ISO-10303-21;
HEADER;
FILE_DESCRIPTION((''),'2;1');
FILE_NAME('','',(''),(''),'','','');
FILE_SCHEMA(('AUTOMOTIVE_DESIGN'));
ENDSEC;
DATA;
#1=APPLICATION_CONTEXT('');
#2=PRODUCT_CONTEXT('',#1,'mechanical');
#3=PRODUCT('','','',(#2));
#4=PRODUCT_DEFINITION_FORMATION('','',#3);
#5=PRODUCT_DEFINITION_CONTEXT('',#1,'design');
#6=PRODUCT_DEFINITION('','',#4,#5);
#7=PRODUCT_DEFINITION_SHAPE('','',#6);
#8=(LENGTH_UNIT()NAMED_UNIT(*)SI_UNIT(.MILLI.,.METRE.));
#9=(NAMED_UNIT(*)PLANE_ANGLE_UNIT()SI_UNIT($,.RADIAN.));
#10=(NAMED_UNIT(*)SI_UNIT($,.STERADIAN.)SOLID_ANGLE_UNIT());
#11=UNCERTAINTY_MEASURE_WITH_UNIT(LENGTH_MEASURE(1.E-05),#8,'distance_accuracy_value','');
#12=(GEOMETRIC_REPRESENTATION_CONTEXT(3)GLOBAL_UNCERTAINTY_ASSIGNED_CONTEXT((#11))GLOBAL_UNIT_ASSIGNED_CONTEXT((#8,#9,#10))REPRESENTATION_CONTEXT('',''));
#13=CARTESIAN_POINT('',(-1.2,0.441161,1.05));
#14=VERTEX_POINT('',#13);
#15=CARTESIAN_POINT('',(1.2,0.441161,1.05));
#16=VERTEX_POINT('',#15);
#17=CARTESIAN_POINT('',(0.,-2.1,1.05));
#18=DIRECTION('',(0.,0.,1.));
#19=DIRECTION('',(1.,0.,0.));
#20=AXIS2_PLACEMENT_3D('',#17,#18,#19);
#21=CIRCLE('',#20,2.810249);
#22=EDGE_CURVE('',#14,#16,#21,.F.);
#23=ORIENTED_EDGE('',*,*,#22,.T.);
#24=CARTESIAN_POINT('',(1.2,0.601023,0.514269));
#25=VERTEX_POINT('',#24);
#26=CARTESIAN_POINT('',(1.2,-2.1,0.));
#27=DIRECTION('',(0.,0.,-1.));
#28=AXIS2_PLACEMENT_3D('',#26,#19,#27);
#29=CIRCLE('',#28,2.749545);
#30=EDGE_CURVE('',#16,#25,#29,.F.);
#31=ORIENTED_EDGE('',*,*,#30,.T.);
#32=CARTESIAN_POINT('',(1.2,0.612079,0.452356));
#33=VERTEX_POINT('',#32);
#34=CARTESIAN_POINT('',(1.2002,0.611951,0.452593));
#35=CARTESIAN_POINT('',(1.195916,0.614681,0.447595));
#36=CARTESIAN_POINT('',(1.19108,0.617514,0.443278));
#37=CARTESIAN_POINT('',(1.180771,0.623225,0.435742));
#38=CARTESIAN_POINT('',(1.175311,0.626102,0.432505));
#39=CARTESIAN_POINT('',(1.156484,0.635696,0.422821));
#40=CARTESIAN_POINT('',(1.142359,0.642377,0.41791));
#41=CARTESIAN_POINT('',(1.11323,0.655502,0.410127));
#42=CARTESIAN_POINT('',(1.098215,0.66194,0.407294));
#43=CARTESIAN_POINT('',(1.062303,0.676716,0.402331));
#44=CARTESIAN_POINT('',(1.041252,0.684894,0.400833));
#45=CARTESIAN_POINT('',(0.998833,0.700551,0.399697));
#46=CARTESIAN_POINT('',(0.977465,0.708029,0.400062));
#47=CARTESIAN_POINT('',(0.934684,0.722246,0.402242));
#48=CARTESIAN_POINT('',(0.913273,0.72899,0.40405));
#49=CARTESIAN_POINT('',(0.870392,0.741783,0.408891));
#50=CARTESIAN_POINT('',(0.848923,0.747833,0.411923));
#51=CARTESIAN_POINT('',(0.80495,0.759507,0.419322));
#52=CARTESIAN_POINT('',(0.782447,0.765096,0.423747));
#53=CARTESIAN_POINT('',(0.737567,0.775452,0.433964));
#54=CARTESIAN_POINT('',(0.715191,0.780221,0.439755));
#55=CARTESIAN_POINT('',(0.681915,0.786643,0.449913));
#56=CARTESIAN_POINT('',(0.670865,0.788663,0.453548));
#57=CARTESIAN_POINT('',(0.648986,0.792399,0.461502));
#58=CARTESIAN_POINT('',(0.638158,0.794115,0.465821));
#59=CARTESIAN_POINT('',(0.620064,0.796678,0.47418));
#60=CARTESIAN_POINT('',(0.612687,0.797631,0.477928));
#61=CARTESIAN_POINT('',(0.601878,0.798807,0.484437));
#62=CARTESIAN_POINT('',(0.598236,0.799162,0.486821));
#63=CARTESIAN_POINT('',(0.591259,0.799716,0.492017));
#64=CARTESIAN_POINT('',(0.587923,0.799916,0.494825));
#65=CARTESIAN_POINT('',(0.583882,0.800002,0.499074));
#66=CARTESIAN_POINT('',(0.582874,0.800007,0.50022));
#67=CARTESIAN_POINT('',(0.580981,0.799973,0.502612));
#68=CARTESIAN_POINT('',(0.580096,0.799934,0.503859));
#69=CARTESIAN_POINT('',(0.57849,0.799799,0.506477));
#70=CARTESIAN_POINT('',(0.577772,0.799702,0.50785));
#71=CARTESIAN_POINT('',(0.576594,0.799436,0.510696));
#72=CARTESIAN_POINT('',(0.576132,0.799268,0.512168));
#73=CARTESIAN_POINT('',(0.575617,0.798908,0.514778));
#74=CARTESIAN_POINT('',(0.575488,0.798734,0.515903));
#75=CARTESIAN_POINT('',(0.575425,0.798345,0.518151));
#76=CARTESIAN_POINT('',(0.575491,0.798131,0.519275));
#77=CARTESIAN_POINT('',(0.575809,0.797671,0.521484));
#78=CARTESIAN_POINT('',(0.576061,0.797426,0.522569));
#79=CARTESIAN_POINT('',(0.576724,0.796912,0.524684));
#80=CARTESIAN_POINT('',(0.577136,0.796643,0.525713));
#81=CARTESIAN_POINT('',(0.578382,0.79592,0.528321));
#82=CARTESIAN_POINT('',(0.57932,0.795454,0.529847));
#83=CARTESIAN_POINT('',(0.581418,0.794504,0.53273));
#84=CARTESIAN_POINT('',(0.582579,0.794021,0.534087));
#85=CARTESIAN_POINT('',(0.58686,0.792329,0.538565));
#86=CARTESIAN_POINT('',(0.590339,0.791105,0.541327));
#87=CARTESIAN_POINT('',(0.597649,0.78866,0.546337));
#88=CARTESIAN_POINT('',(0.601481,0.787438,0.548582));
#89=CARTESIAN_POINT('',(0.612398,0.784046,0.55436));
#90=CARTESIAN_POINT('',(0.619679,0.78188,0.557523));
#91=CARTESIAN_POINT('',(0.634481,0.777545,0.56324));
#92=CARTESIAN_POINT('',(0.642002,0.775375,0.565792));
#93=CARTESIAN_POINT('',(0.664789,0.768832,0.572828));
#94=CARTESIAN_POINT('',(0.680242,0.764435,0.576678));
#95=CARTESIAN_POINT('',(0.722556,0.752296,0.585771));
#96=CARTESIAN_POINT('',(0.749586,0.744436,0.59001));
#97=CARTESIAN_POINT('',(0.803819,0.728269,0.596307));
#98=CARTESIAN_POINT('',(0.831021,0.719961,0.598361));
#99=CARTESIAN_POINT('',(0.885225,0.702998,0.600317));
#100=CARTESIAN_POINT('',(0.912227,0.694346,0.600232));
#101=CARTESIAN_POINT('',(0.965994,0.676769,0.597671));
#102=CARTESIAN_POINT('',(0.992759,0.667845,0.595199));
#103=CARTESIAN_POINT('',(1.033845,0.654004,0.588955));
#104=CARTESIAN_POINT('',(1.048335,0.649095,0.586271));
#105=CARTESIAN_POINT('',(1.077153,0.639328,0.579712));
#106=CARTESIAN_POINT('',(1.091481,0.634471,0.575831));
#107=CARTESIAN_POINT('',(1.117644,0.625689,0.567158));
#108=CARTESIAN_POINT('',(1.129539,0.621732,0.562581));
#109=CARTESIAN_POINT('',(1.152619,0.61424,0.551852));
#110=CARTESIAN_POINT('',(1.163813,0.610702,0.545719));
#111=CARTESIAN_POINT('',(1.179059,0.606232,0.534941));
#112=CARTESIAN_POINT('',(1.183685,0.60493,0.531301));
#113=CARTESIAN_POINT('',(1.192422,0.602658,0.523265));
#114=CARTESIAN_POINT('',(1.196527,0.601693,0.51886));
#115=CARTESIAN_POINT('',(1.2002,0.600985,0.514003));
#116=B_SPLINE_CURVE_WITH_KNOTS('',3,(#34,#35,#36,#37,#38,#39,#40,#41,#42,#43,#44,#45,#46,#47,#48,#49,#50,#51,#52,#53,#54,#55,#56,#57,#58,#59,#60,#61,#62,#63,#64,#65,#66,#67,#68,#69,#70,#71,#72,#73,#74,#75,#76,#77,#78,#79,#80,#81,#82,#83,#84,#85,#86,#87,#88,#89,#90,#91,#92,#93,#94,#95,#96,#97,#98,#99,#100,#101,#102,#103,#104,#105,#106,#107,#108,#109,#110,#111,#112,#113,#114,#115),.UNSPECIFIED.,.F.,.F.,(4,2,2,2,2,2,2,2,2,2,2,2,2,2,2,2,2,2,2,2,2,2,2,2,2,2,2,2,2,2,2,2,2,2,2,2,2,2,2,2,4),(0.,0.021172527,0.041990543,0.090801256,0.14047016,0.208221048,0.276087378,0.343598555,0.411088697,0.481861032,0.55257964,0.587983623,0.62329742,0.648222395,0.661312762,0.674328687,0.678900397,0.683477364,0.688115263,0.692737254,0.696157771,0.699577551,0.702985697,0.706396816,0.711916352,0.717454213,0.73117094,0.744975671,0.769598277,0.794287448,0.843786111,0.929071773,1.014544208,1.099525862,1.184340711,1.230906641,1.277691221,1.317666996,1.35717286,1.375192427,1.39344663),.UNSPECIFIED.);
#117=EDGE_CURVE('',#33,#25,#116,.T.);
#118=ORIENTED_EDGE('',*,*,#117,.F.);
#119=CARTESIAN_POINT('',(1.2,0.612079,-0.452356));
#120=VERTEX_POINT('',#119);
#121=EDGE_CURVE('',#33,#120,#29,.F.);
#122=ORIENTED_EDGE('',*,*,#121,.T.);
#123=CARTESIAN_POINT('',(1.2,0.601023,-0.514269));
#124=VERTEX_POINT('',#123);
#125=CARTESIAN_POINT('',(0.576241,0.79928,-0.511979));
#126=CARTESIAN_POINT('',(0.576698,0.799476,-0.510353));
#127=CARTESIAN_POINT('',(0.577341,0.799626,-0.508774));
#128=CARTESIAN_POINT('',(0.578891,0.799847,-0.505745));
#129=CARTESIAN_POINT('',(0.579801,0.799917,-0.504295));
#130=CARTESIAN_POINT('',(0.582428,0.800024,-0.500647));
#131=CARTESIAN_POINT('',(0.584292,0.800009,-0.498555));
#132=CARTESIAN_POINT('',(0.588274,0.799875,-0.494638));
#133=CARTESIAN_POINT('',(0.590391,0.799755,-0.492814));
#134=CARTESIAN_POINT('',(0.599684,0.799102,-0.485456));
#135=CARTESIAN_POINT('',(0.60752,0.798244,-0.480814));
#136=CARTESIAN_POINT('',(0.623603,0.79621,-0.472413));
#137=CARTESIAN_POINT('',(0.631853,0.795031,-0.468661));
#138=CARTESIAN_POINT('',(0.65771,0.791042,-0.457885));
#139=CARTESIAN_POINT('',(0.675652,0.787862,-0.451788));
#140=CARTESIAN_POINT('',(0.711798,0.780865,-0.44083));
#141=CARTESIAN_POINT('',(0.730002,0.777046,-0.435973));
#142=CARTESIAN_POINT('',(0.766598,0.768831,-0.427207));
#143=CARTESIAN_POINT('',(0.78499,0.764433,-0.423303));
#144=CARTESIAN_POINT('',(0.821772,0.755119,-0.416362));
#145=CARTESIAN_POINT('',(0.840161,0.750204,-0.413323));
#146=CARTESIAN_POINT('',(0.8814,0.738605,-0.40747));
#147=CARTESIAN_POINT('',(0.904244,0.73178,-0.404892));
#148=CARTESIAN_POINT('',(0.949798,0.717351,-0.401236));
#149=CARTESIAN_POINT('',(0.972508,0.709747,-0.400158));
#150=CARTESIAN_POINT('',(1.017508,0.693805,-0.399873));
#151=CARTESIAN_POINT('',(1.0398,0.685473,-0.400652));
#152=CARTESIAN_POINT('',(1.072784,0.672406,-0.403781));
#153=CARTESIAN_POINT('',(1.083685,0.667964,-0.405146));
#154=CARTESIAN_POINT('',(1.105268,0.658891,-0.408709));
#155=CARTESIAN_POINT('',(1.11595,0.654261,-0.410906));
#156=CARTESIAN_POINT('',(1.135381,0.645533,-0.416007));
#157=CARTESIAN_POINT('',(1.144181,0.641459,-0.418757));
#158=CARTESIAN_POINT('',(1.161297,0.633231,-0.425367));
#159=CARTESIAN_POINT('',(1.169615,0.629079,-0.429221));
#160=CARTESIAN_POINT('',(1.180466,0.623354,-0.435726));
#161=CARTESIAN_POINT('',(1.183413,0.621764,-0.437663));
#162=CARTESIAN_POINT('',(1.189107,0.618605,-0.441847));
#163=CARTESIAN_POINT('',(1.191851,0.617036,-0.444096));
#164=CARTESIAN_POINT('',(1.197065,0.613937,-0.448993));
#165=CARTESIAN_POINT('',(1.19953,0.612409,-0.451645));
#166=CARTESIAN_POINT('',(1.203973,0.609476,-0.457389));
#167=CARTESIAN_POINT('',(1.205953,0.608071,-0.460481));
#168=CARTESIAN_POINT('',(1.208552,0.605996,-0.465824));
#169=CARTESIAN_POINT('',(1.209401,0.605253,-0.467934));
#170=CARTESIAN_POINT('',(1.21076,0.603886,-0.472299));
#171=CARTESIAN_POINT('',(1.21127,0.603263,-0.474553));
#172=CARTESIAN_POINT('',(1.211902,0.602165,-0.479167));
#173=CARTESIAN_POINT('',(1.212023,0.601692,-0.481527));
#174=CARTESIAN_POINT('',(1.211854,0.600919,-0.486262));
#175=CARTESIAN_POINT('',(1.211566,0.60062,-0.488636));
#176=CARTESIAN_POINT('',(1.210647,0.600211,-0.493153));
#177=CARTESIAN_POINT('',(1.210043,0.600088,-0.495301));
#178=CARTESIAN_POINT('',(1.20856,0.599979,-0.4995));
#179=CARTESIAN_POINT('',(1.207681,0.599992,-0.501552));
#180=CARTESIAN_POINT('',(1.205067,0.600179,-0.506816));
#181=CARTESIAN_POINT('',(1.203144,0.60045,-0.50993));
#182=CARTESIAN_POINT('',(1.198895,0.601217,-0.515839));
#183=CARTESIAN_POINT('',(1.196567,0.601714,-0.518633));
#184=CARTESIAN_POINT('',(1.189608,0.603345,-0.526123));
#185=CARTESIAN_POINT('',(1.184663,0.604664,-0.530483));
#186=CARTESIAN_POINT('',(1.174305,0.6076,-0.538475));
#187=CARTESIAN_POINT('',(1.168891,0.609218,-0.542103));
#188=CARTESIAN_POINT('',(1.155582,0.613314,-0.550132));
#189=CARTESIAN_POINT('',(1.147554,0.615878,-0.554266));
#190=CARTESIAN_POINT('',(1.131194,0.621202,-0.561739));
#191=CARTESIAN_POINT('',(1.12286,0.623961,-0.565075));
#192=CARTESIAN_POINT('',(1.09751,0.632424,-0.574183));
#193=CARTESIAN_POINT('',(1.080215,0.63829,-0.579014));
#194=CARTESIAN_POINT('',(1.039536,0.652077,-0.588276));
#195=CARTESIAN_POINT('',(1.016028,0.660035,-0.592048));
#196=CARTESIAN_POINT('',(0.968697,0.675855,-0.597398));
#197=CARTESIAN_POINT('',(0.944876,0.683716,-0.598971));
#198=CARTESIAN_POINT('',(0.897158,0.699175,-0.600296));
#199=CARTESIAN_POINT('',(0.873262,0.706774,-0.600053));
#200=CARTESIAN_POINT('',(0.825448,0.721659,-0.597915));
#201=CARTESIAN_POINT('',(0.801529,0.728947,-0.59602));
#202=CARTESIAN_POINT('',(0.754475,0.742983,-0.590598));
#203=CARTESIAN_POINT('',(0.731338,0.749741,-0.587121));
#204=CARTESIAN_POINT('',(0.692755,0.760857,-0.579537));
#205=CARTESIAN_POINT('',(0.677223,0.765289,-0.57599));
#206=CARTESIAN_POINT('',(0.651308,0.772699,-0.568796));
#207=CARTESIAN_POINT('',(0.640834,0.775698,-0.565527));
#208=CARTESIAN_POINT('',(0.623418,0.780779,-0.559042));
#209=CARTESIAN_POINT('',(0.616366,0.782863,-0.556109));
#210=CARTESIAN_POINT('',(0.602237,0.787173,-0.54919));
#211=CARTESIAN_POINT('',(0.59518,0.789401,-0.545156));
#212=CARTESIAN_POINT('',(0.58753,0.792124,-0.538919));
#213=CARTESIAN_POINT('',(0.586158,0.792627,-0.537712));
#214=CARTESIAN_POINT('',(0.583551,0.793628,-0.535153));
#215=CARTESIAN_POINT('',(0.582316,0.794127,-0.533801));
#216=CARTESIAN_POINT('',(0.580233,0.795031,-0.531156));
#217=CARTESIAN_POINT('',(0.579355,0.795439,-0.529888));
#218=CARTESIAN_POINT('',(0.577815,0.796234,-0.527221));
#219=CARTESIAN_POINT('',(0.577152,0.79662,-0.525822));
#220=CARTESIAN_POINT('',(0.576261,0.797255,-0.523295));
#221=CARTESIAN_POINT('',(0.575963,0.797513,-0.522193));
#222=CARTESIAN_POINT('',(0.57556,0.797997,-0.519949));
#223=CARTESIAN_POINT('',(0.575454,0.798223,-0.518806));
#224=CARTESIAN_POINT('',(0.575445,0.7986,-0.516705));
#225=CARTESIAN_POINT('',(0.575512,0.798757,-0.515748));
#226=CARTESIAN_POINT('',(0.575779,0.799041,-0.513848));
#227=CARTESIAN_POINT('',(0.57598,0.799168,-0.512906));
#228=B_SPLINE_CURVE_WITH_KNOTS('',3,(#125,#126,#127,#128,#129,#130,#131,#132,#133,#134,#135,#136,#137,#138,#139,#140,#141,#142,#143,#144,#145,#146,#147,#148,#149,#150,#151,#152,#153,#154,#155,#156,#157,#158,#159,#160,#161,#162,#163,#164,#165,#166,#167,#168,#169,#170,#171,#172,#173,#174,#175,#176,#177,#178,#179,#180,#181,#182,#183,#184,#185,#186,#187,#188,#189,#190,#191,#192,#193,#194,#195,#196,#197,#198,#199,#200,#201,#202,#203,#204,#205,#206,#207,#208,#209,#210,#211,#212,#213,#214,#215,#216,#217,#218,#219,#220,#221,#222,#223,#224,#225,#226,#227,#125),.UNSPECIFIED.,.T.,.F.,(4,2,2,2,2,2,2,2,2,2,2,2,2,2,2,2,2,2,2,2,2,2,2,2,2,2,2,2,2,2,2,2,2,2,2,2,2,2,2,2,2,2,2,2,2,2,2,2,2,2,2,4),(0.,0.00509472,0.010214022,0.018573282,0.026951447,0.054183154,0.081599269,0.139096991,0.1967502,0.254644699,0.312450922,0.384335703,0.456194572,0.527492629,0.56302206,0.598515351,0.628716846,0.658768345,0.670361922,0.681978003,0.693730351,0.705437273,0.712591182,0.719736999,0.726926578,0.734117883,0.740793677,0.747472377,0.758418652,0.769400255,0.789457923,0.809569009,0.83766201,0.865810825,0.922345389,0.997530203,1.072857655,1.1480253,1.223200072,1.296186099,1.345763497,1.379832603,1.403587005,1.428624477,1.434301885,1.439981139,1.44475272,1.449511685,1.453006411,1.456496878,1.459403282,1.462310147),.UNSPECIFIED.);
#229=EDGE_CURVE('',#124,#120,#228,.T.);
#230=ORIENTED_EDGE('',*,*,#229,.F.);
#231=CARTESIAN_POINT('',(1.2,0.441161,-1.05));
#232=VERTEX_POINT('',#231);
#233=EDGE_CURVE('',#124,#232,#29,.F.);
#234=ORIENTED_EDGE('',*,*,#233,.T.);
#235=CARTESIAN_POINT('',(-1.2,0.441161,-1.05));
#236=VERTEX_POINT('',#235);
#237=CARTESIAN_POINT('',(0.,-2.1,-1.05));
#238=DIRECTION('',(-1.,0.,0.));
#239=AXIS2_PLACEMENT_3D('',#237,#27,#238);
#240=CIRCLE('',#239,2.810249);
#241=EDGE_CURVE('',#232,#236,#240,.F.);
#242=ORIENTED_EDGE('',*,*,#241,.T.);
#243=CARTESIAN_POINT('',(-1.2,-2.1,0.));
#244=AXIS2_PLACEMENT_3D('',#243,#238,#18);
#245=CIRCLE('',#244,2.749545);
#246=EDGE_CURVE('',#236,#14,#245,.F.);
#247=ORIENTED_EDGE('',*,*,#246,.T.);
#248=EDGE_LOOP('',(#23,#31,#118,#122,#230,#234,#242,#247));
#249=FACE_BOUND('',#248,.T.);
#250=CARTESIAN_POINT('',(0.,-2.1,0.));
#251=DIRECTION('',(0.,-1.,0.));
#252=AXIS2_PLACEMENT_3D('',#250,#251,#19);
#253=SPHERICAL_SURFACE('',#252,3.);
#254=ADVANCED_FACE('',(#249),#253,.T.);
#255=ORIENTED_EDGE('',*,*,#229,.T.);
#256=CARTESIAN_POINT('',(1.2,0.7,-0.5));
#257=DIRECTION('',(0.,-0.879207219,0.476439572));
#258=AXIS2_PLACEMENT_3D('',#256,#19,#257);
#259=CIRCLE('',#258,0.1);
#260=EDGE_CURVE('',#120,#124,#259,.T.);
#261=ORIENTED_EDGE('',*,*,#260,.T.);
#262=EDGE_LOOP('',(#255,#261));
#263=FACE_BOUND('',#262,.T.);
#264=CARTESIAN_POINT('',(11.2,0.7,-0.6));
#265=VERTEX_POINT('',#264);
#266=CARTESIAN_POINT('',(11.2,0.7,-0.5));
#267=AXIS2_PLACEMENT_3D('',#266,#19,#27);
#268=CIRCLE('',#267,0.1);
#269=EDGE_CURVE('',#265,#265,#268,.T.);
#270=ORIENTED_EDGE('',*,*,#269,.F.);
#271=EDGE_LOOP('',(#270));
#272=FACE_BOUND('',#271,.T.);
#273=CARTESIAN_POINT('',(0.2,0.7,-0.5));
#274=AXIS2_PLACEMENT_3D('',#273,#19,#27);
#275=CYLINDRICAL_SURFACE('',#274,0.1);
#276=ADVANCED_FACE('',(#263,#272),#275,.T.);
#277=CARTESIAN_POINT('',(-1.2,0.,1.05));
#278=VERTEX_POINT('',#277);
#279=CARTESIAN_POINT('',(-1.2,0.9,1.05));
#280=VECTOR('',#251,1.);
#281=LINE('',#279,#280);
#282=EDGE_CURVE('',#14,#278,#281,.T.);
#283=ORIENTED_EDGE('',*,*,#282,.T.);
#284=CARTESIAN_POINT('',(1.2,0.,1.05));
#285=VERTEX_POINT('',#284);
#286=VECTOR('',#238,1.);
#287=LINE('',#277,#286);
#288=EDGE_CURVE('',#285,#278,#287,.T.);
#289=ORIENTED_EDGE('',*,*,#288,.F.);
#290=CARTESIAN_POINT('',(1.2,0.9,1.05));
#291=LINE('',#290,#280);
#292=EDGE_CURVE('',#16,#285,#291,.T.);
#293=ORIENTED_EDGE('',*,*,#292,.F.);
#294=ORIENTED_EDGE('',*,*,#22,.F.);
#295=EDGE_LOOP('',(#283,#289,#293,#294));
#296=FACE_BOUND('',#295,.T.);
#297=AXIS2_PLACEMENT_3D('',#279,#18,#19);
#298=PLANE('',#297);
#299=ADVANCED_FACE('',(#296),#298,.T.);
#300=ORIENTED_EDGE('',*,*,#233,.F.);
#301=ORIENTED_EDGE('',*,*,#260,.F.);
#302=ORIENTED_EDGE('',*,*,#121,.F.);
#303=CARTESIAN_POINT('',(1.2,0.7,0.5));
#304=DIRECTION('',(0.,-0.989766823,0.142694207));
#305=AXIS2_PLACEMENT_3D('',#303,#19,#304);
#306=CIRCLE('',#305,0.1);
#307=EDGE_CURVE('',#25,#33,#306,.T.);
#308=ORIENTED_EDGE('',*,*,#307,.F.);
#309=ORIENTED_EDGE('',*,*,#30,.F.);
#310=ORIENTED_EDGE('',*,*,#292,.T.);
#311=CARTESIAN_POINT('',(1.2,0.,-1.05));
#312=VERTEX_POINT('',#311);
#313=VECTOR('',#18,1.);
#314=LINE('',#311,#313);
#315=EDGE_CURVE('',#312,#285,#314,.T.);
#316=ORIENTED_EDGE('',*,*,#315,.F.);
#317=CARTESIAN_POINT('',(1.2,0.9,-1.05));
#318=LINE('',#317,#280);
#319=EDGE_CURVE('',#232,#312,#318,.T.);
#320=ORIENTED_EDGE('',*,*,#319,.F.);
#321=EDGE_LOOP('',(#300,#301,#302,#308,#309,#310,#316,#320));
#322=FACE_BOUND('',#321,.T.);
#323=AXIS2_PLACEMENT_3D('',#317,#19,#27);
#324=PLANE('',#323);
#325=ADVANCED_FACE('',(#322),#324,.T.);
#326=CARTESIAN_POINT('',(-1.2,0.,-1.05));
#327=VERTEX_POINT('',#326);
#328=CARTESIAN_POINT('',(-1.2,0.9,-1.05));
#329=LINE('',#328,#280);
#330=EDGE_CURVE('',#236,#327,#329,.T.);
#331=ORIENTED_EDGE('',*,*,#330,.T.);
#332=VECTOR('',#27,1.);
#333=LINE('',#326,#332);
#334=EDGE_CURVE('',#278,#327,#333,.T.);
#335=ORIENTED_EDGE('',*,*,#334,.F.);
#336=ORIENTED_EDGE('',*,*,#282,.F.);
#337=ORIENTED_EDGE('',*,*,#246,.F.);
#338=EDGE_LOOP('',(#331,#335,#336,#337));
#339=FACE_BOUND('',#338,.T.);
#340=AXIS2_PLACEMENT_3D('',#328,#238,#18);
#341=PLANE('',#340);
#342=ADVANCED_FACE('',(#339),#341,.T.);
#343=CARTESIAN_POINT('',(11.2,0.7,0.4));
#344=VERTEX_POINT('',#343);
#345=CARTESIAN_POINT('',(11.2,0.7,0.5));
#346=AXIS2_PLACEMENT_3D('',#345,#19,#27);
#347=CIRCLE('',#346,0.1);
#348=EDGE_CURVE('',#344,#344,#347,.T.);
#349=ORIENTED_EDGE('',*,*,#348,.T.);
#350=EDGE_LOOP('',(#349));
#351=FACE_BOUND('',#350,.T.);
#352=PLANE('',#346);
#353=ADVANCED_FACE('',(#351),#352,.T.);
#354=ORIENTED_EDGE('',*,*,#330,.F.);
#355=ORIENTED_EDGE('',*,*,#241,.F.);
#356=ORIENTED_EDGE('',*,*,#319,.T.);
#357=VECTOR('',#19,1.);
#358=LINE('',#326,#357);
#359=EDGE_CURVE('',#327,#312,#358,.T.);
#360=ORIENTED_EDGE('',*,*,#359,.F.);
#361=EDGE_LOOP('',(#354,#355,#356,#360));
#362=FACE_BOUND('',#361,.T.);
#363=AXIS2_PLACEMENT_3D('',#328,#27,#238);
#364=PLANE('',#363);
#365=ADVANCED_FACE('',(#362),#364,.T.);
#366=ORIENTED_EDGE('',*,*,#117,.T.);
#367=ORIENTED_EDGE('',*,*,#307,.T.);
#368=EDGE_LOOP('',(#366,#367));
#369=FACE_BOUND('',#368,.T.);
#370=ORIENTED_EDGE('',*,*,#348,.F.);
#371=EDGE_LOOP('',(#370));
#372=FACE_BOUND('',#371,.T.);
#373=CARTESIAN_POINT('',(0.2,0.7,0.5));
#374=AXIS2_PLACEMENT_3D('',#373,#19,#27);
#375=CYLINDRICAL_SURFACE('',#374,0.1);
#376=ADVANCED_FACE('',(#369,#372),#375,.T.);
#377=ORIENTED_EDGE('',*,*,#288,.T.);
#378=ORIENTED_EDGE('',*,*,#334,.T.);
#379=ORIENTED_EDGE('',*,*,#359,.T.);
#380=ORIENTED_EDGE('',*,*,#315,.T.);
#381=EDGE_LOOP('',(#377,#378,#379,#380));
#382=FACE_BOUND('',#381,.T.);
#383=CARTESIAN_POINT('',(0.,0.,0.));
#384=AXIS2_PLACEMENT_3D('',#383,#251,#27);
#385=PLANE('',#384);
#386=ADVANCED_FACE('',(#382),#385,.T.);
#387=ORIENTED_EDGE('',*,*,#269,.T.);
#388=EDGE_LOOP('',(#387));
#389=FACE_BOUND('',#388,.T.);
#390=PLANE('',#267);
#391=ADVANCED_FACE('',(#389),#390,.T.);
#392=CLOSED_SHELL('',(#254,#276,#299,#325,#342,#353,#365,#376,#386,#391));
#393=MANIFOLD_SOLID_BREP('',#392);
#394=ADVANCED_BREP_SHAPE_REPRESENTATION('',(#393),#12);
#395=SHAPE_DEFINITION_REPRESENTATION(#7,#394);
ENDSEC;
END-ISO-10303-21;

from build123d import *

# Parameters (mm, degrees)
SKETCH_3_OUTSIDE_W   = 6.506
SKETCH_3_OUTSIDE_H   = 6.506
SKETCH_3_OUTSIDE_W_2 = 2.4
SKETCH_3_OUTSIDE_H_2 = 2.1
CUT_EXTRUDE_1_DEPTH  = 1.9
SKETCH_4_R           = 0.1
EXTRUDE_2_DEPTH      = 10
EXTRUDE_2_DEPTH_BACK = 1


with BuildPart() as part:
    # Эскиз2 → Повернуть1 (revolve)
    with BuildSketch(Plane.XY):
        with BuildLine():
            Line((0, 0), (1.75, 0))
            Line((1.75, 0), (1.75, 0.336698586))
            ThreePointArc((1.75, 0.336698586), (0.919212772, 0.755704445), (0, 0.9))
            Line((0, 0.9), (0, 0))
        make_face()
    revolve(axis=Axis((0, 0, 0), (0, 1, 0)))

    # Эскиз3 outside → Вырез-Вытянуть1 (cut, through all)
    with BuildSketch(Plane.XZ):
        Rectangle(SKETCH_3_OUTSIDE_W, SKETCH_3_OUTSIDE_H)
        Rectangle(SKETCH_3_OUTSIDE_W_2, SKETCH_3_OUTSIDE_H_2, mode=Mode.SUBTRACT)
    extrude(amount=-CUT_EXTRUDE_1_DEPTH, mode=Mode.SUBTRACT)

    # Эскиз4 → Бобышка-Вытянуть2 (add, two sides)
    with BuildSketch(Plane(origin=(1.2, 0, 0), x_dir=(0, 0, -1), z_dir=(1, 0, 0))) as extrude_2_sk:
        with Locations((-0.5, 0.7)):
            Circle(SKETCH_4_R)
        with Locations((0.5, 0.7)):
            Circle(SKETCH_4_R)
    extrude(amount=EXTRUDE_2_DEPTH)
    extrude(extrude_2_sk.sketch, amount=-EXTRUDE_2_DEPTH_BACK)


solid = part.part
